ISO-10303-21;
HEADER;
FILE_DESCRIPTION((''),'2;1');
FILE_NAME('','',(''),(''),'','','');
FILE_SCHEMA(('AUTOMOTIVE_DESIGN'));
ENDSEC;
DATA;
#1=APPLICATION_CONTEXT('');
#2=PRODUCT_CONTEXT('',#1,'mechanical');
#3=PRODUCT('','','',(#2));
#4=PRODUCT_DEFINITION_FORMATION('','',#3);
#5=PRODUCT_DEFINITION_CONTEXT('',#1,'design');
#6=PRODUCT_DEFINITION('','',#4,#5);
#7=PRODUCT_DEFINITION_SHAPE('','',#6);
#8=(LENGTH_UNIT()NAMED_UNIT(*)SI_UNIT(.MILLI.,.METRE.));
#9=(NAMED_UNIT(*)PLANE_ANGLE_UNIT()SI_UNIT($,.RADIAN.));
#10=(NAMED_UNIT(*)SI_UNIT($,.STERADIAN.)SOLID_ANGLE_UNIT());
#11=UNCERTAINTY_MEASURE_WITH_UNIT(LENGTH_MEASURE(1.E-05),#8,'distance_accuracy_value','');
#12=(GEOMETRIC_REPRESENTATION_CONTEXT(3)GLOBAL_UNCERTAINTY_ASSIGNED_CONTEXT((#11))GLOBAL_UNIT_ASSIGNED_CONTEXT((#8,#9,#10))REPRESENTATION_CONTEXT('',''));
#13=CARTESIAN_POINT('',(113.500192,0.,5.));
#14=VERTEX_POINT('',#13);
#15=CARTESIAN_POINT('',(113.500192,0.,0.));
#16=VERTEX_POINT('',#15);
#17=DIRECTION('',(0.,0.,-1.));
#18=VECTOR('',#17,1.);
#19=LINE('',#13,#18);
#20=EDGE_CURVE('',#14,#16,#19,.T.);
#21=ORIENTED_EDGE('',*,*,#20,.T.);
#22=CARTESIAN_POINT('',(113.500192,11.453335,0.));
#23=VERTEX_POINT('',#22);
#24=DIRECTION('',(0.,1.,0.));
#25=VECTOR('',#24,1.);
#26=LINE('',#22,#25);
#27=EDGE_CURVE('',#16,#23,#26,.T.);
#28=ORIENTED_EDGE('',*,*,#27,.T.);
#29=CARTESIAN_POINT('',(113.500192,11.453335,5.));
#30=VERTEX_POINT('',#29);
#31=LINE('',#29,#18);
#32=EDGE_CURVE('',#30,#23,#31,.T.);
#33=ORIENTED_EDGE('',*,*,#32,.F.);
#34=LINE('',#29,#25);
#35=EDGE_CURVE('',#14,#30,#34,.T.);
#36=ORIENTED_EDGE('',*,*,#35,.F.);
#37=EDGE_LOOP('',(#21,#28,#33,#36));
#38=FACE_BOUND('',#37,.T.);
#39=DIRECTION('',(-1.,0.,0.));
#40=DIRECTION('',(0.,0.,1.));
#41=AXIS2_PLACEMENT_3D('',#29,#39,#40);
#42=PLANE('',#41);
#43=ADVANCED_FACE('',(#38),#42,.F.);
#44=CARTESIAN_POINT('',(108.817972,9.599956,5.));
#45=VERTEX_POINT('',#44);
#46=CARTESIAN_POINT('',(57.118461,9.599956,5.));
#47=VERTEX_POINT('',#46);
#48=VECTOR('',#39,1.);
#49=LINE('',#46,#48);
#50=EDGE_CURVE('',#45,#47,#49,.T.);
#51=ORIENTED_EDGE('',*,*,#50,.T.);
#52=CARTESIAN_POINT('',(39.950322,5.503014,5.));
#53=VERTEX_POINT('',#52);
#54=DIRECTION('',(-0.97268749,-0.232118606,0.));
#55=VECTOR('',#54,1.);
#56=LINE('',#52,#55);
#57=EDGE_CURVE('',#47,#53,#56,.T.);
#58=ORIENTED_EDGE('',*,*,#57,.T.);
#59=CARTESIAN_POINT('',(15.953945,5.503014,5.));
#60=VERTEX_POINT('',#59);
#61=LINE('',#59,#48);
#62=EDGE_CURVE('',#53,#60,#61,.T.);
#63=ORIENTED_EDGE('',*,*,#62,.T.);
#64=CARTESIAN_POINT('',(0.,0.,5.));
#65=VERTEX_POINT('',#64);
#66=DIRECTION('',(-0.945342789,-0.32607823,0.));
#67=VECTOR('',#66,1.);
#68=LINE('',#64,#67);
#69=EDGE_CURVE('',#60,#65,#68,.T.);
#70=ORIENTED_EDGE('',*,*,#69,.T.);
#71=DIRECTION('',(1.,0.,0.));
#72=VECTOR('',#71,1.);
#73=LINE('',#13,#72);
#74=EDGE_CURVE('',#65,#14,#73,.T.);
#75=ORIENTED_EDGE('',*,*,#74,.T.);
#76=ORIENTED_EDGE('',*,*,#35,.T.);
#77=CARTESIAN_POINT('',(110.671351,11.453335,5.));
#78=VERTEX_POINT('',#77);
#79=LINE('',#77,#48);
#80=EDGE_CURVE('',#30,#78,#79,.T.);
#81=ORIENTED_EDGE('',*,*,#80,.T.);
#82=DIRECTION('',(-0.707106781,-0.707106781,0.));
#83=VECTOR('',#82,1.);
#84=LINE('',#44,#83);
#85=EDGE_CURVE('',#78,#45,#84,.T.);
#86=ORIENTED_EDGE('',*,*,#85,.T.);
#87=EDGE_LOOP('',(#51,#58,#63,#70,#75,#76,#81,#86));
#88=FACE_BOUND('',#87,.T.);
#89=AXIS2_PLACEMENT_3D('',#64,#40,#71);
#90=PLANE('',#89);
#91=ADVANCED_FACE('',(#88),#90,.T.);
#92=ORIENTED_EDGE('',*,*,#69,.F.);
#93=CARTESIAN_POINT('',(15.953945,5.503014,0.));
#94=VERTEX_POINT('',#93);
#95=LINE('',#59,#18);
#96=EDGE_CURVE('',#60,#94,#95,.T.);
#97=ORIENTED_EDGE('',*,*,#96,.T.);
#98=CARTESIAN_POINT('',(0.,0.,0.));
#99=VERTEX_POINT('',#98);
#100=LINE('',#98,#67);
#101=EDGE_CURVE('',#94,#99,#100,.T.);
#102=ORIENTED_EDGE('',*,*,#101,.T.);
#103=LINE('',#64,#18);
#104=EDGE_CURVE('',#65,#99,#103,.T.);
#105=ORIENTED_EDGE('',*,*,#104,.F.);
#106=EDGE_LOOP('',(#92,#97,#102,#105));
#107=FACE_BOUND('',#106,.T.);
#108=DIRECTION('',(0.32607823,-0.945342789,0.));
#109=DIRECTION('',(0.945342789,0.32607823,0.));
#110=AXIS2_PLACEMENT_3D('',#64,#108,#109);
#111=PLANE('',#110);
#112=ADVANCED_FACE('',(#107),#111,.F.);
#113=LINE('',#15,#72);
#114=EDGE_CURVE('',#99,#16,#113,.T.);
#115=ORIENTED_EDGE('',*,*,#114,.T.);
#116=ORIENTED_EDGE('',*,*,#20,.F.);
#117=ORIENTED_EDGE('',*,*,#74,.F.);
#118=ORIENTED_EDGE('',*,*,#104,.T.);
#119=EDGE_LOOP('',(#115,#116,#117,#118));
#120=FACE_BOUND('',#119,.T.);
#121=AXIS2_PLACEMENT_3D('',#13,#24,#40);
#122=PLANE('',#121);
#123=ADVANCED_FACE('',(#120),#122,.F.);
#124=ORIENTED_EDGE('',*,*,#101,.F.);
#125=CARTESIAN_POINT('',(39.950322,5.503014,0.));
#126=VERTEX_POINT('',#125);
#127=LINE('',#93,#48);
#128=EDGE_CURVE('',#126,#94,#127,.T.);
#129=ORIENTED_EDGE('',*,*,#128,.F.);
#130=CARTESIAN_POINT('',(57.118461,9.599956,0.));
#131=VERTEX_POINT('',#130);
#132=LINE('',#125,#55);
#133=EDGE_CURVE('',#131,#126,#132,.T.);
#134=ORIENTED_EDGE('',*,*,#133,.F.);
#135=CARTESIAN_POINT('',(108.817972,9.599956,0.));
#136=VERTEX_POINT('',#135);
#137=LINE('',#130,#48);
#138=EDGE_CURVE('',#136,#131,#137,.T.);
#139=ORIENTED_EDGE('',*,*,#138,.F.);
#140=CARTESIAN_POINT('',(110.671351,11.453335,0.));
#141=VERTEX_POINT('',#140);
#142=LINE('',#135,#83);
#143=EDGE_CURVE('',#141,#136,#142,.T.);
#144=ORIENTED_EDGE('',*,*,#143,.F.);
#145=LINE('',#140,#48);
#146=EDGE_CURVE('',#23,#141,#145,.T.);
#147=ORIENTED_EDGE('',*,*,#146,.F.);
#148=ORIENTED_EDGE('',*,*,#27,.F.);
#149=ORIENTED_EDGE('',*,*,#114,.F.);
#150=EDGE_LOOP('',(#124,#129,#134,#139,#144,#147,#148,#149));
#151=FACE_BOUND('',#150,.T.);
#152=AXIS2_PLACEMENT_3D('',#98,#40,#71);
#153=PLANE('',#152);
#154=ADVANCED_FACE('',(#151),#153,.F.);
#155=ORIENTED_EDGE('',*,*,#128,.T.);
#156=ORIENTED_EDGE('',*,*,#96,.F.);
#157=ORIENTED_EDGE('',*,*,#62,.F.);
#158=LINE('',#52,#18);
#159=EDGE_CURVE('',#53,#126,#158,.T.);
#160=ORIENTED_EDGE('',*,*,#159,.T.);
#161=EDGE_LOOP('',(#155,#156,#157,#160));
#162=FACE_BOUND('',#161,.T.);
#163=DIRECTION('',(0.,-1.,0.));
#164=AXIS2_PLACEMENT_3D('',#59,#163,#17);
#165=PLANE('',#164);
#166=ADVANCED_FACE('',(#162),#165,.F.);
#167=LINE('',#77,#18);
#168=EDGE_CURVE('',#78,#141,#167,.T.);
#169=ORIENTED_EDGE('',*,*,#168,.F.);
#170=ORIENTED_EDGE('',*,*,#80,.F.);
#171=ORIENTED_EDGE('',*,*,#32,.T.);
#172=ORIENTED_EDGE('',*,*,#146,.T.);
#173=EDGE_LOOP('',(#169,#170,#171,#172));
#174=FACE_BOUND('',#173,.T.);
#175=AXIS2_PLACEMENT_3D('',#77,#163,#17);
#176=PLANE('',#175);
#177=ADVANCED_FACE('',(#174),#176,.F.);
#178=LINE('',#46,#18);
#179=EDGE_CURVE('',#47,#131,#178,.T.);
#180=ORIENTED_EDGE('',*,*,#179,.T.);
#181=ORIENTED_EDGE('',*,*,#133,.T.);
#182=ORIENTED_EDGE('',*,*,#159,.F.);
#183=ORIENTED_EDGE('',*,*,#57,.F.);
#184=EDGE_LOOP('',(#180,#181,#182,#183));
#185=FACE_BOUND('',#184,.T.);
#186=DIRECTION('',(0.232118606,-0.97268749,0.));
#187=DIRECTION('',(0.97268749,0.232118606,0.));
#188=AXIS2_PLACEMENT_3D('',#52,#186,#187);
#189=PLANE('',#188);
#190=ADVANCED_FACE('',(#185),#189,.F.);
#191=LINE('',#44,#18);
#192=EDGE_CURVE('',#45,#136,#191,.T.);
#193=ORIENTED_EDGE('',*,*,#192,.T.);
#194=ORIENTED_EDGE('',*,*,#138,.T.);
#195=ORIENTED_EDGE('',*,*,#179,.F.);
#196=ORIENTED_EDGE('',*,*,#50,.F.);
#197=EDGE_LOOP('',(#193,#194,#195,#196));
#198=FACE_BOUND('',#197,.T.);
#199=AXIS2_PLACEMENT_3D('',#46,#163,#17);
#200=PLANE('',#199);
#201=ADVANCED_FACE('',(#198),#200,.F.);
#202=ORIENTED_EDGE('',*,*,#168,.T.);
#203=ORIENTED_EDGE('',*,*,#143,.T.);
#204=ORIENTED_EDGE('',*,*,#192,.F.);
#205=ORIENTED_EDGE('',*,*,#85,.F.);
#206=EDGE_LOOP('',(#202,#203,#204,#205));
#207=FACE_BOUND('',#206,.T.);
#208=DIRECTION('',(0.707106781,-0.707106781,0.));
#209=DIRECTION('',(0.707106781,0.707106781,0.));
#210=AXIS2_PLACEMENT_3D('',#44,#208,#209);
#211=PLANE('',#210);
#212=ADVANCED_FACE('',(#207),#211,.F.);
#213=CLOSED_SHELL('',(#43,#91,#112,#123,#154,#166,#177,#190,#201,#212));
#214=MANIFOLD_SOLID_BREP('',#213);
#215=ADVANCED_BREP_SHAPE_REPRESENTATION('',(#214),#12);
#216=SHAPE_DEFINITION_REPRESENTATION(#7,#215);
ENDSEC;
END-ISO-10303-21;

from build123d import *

# Parameters (mm, degrees)
BOSS_EXTRUDE1_DEPTH = 5


with BuildPart() as part:
    # Sketch1 → Boss-Extrude1 (new body)
    with BuildSketch(Plane.XY):
        Polygon((0, 0), (15.953944958, 5.503013505), (39.950321785, 5.503013505), (57.118461303, 9.59995589), (108.817972352, 9.59995589), (110.67135105, 11.453334588), (113.500192221, 11.453334588), (113.500192221, 0), align=None)
    extrude(amount=BOSS_EXTRUDE1_DEPTH)


solid = part.part
